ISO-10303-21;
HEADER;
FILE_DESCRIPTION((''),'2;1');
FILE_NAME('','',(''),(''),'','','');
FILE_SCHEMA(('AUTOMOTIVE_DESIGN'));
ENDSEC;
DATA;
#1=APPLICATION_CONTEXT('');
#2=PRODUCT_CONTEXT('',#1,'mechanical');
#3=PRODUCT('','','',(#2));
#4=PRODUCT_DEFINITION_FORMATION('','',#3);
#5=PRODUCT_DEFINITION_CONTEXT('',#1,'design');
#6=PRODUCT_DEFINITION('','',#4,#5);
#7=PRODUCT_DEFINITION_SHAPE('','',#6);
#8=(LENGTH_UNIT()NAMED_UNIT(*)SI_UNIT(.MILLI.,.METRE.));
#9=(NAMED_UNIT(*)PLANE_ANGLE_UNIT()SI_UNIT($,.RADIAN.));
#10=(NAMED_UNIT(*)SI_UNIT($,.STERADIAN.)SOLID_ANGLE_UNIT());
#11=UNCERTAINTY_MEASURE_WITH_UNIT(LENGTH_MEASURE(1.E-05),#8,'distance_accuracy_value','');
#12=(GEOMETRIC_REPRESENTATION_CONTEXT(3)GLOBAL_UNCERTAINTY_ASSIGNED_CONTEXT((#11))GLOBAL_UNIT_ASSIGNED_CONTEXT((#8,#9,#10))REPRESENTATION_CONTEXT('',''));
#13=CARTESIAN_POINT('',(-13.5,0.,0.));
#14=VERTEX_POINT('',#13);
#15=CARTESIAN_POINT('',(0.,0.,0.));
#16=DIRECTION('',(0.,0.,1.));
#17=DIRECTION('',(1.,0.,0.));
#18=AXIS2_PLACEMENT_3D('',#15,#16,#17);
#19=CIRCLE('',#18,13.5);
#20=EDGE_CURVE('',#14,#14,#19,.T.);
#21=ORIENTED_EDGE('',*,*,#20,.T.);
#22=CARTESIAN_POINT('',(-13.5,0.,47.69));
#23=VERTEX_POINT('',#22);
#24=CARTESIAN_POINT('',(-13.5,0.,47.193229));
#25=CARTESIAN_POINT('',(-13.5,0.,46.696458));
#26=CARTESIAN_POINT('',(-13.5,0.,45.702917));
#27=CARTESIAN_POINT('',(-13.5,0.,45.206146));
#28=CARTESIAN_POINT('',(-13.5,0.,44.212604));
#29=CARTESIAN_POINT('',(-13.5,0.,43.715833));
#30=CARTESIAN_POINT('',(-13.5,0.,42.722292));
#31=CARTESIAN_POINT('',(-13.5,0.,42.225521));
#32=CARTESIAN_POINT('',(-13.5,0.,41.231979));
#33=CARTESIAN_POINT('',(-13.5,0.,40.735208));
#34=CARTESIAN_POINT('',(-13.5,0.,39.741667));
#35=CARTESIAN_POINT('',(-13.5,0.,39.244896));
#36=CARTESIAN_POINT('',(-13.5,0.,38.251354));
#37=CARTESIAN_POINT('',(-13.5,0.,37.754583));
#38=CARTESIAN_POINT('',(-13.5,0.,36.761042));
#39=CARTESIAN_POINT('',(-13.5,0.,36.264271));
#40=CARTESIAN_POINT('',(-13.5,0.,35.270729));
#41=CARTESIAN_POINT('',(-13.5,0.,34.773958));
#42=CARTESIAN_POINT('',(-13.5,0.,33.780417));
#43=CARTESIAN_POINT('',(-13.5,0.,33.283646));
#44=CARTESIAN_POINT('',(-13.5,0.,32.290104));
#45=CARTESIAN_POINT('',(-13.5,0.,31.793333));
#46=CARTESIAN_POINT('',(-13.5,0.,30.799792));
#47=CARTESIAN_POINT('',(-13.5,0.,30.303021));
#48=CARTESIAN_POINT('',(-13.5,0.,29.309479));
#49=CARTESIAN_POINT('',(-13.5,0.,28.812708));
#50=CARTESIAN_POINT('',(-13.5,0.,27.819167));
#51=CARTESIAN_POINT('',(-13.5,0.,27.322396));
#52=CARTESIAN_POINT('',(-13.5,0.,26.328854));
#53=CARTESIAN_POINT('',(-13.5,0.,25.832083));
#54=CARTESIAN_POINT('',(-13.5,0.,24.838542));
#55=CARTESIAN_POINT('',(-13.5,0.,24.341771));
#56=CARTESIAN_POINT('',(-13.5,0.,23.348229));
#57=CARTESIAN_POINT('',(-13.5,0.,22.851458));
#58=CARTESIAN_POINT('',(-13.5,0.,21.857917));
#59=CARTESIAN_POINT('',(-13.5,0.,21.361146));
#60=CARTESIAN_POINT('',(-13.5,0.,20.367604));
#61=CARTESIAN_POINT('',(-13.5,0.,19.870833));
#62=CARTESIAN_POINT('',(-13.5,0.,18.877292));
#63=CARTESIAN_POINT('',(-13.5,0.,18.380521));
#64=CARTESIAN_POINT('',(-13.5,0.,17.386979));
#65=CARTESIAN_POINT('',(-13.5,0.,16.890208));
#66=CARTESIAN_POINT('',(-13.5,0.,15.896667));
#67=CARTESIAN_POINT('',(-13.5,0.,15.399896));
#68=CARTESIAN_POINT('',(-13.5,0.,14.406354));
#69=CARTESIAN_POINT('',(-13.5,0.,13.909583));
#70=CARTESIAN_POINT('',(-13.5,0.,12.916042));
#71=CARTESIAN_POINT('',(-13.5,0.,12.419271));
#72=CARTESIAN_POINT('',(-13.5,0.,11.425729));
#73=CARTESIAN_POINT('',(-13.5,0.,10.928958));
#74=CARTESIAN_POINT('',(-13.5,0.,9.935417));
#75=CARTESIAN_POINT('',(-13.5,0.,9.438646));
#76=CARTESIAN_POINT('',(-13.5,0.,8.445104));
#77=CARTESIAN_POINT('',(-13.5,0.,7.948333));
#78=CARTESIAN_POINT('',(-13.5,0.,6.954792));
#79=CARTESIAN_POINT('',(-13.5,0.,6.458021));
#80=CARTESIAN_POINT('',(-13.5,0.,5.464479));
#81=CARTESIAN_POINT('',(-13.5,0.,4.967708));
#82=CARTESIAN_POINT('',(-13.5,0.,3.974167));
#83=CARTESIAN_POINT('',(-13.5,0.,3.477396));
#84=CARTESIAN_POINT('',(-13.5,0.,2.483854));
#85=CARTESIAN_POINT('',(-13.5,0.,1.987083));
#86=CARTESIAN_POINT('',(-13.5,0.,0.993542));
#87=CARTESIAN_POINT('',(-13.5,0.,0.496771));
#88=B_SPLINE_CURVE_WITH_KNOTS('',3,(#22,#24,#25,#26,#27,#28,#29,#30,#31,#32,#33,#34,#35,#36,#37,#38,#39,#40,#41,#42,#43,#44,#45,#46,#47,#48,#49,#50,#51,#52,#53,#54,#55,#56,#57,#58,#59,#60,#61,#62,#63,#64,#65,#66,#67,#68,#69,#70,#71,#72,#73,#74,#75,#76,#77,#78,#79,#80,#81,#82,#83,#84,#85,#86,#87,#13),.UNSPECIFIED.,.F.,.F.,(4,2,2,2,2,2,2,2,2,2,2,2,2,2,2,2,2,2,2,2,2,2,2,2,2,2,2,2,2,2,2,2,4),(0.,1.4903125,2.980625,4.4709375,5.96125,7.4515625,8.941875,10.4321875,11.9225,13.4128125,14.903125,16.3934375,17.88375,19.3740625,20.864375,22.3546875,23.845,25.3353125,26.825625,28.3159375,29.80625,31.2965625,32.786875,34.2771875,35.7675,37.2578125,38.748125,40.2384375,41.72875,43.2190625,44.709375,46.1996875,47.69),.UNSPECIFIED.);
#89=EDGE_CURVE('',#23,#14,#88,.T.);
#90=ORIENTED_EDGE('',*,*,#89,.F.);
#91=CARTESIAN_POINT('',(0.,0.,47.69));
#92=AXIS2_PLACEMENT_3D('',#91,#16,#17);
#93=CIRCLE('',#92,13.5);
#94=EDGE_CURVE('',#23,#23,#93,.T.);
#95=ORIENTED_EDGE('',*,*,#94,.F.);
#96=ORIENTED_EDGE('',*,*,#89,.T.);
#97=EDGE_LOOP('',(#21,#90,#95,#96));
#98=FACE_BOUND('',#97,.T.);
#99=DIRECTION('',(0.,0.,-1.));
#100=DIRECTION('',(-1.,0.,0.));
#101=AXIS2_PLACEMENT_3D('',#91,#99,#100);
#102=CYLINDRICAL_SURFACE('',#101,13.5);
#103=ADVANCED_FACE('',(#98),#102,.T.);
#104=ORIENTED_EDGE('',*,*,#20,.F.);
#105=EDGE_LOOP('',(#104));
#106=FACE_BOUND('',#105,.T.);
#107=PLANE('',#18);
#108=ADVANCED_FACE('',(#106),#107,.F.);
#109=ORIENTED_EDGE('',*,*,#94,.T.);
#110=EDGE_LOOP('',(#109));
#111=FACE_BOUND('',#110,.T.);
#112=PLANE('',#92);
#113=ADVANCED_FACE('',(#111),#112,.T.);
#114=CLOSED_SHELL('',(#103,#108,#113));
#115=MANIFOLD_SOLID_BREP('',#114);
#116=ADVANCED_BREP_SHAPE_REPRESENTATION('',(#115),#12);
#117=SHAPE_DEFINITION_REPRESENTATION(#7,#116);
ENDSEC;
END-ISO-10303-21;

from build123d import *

# Parameters (mm, degrees)
SKETCH1_R           = 13.5
BOSS_EXTRUDE1_DEPTH = 47.69


with BuildPart() as part:
    # Sketch1 → Boss-Extrude1 (new body)
    with BuildSketch(Plane.XY):
        with Locations(Location((0, 0, 0), (0, 0, 180))):
            Circle(SKETCH1_R)
    extrude(amount=BOSS_EXTRUDE1_DEPTH)


solid = part.part
